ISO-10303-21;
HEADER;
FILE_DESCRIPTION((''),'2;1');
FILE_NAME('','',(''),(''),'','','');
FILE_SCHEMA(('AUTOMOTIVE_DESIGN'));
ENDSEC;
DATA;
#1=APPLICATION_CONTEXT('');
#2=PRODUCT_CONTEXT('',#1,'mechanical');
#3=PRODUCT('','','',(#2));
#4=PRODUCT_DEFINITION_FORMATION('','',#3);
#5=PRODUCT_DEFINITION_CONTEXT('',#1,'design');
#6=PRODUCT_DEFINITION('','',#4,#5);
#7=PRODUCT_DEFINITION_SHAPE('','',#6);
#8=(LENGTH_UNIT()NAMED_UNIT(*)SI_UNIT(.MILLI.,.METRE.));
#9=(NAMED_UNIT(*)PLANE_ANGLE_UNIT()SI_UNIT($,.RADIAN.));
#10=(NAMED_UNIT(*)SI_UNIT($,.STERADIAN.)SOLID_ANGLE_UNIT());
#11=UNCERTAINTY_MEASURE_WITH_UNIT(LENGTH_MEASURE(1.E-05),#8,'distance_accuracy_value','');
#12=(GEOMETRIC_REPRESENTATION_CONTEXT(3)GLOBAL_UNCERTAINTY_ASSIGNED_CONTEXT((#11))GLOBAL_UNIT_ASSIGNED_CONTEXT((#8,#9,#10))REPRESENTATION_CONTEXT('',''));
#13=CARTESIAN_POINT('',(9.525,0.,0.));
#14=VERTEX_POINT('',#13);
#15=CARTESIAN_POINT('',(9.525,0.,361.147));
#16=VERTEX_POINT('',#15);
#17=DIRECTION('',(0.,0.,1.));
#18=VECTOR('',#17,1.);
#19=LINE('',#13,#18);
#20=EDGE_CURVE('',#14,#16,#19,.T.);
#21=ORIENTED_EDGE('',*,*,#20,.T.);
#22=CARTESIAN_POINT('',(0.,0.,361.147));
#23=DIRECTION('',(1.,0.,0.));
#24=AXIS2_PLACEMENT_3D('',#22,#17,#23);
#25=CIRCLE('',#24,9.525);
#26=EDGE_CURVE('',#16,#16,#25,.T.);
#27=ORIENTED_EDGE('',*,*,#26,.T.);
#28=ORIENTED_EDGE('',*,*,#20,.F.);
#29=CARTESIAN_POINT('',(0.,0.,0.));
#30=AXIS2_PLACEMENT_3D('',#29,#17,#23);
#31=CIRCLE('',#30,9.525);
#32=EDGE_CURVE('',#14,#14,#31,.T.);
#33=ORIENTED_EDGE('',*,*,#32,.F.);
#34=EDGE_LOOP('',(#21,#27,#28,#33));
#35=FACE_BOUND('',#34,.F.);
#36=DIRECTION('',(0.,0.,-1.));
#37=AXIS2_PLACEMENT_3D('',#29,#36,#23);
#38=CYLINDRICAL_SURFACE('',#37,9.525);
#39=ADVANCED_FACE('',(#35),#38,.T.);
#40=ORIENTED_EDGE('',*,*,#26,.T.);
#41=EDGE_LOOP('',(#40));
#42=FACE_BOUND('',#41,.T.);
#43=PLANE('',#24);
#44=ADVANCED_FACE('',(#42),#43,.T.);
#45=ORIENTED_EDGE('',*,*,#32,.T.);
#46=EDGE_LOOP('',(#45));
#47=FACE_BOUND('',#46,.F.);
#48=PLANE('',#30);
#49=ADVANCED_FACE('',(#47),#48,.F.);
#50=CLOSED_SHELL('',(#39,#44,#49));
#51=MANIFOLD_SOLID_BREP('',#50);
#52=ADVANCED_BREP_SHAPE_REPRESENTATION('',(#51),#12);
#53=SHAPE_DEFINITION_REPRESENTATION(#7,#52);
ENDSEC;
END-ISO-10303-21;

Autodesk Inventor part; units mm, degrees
ref_plane "YZ Plane" through (0, 0, 0) normal (1, 0, 0) x (0, 1, 0)
ref_plane "Start Plane" through (0, 0, 0) normal (0, 0, 1) x (1, 0, 0)
ref_plane "End Plane" through (0, 0, 361.147) normal (0, 0, 1) x (1, 0, 0)
sketch "Sketch" plane through (0, 0, 0) normal (0, 0, 1) x (1, 0, 0)
  circle A0 centre (0, 0) radius 9.525
  dimension "d0" = 19.05
extrude "Body" add sketch "Sketch" along normal up to surface (361.147 mm away) from surface at 0
sketch "Sketch2" plane through (0, 0, 0) normal (0, 0, 1) x (1, 0, 0)
  line L0 (0, 0) -> (10, 0)
ref_plane "Work Plane3" through (0, 0, 0) normal (0, -1, 0) x (1, 0, 0)
sketch "Sketch3" plane through (0, 0, 0) normal (0, -1, 0) x (1, 0, 0)
  line L0 (-2, 0) -> (12, 0) projected
  line L1 (-2, 361.147) -> (12, 361.147) projected
  dimension "d7" = 361.147
equation "\"d0\" = Diam"
equation "\"d1\" = G_L"
equation "\"Diam\" = 19.05"
equation "\"G_L\" = d7"
equation "\"G_OFFSET_START\" = 0"
equation "\"G_OFFSET_END\" = 0"
equation "\"d5\" = G_OFFSET_END + B_L"
equation "\"B_L\" = 361.14698"
properties part number "ANSI/AISC Rolled Steel - 3/4-14.218, RB" material "Steel, Mild"
